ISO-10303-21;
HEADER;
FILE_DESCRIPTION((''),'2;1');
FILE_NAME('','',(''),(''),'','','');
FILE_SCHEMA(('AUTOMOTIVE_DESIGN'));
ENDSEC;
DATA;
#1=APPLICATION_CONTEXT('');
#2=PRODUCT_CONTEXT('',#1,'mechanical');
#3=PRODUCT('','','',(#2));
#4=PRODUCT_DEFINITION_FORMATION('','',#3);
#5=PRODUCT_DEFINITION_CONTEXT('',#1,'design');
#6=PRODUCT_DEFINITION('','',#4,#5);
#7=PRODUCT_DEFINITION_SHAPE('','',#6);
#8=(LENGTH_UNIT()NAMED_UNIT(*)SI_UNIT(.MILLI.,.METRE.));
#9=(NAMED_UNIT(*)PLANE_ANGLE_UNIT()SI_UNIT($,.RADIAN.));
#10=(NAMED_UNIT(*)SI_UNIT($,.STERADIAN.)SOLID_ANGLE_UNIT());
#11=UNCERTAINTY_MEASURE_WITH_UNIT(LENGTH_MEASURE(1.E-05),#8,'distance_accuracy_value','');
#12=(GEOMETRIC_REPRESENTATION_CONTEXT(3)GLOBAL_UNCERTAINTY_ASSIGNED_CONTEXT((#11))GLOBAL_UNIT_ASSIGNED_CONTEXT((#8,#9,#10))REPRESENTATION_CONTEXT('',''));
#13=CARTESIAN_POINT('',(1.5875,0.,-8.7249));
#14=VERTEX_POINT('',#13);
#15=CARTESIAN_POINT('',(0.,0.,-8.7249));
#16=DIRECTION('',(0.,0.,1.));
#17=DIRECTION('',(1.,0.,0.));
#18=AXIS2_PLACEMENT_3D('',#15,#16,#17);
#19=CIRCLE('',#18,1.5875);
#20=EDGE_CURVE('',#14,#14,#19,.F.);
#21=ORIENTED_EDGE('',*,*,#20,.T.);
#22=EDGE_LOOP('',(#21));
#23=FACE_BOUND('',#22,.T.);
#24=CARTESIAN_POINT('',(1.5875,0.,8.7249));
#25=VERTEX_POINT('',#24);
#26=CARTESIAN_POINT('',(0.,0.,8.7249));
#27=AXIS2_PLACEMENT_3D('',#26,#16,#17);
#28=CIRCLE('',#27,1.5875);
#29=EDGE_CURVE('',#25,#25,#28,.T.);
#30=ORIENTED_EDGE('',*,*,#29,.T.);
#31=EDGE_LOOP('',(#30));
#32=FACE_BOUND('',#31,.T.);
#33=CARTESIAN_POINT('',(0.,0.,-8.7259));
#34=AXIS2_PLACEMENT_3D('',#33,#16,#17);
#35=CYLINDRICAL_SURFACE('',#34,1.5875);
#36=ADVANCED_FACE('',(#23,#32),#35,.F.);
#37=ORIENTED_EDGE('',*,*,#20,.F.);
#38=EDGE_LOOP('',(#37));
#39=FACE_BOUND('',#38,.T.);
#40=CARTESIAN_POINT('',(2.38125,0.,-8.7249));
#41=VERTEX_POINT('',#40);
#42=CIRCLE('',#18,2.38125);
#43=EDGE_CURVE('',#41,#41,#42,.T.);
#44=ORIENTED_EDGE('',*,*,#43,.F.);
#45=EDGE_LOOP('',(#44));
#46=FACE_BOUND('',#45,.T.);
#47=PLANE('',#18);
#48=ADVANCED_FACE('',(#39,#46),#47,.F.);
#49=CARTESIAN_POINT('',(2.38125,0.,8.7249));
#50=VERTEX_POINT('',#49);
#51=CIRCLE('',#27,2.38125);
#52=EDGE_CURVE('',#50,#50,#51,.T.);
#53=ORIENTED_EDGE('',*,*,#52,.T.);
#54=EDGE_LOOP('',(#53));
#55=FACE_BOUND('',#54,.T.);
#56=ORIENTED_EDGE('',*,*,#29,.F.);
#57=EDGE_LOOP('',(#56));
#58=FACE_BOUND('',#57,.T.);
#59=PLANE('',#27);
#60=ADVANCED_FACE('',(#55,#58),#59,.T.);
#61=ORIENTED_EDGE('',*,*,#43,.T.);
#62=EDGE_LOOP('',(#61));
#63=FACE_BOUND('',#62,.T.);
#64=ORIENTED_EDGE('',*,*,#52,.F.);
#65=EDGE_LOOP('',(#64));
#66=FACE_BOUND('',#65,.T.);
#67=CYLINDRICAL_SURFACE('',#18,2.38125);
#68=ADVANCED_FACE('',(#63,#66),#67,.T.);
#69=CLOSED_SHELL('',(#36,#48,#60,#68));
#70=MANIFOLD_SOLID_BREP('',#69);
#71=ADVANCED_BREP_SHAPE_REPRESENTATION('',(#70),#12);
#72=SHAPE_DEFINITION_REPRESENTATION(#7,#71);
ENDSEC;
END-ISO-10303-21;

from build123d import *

# Parameters (mm, degrees)
BOSS_EXTRUDE1_START = 8.7249
SKETCH3_R           = 2.38125
BOSS_EXTRUDE1_DEPTH = 17.4498
CUT_EXTRUDE1_REACH  = 19.45
SKETCH4_R           = 1.5875


with BuildPart() as part:
    # Sketch3 → Boss-Extrude1 (new body)
    with BuildSketch(Plane.XY.offset(BOSS_EXTRUDE1_START)):
        Circle(SKETCH3_R)
    extrude(amount=-BOSS_EXTRUDE1_DEPTH)

    # Sketch4 → Cut-Extrude1 (cut, up to next)
    with BuildSketch(Plane.XY.offset(8.7249), mode=Mode.PRIVATE) as cut_extrude1_sk1:
        Circle(SKETCH4_R)
    cut_extrude1_tool1 = extrude(cut_extrude1_sk1.sketch, amount=-CUT_EXTRUDE1_REACH, mode=Mode.PRIVATE) & part.part
    add(cut_extrude1_tool1.solids().sort_by_distance((0, 0, 8.7249))[0], mode=Mode.SUBTRACT)


solid = part.part
